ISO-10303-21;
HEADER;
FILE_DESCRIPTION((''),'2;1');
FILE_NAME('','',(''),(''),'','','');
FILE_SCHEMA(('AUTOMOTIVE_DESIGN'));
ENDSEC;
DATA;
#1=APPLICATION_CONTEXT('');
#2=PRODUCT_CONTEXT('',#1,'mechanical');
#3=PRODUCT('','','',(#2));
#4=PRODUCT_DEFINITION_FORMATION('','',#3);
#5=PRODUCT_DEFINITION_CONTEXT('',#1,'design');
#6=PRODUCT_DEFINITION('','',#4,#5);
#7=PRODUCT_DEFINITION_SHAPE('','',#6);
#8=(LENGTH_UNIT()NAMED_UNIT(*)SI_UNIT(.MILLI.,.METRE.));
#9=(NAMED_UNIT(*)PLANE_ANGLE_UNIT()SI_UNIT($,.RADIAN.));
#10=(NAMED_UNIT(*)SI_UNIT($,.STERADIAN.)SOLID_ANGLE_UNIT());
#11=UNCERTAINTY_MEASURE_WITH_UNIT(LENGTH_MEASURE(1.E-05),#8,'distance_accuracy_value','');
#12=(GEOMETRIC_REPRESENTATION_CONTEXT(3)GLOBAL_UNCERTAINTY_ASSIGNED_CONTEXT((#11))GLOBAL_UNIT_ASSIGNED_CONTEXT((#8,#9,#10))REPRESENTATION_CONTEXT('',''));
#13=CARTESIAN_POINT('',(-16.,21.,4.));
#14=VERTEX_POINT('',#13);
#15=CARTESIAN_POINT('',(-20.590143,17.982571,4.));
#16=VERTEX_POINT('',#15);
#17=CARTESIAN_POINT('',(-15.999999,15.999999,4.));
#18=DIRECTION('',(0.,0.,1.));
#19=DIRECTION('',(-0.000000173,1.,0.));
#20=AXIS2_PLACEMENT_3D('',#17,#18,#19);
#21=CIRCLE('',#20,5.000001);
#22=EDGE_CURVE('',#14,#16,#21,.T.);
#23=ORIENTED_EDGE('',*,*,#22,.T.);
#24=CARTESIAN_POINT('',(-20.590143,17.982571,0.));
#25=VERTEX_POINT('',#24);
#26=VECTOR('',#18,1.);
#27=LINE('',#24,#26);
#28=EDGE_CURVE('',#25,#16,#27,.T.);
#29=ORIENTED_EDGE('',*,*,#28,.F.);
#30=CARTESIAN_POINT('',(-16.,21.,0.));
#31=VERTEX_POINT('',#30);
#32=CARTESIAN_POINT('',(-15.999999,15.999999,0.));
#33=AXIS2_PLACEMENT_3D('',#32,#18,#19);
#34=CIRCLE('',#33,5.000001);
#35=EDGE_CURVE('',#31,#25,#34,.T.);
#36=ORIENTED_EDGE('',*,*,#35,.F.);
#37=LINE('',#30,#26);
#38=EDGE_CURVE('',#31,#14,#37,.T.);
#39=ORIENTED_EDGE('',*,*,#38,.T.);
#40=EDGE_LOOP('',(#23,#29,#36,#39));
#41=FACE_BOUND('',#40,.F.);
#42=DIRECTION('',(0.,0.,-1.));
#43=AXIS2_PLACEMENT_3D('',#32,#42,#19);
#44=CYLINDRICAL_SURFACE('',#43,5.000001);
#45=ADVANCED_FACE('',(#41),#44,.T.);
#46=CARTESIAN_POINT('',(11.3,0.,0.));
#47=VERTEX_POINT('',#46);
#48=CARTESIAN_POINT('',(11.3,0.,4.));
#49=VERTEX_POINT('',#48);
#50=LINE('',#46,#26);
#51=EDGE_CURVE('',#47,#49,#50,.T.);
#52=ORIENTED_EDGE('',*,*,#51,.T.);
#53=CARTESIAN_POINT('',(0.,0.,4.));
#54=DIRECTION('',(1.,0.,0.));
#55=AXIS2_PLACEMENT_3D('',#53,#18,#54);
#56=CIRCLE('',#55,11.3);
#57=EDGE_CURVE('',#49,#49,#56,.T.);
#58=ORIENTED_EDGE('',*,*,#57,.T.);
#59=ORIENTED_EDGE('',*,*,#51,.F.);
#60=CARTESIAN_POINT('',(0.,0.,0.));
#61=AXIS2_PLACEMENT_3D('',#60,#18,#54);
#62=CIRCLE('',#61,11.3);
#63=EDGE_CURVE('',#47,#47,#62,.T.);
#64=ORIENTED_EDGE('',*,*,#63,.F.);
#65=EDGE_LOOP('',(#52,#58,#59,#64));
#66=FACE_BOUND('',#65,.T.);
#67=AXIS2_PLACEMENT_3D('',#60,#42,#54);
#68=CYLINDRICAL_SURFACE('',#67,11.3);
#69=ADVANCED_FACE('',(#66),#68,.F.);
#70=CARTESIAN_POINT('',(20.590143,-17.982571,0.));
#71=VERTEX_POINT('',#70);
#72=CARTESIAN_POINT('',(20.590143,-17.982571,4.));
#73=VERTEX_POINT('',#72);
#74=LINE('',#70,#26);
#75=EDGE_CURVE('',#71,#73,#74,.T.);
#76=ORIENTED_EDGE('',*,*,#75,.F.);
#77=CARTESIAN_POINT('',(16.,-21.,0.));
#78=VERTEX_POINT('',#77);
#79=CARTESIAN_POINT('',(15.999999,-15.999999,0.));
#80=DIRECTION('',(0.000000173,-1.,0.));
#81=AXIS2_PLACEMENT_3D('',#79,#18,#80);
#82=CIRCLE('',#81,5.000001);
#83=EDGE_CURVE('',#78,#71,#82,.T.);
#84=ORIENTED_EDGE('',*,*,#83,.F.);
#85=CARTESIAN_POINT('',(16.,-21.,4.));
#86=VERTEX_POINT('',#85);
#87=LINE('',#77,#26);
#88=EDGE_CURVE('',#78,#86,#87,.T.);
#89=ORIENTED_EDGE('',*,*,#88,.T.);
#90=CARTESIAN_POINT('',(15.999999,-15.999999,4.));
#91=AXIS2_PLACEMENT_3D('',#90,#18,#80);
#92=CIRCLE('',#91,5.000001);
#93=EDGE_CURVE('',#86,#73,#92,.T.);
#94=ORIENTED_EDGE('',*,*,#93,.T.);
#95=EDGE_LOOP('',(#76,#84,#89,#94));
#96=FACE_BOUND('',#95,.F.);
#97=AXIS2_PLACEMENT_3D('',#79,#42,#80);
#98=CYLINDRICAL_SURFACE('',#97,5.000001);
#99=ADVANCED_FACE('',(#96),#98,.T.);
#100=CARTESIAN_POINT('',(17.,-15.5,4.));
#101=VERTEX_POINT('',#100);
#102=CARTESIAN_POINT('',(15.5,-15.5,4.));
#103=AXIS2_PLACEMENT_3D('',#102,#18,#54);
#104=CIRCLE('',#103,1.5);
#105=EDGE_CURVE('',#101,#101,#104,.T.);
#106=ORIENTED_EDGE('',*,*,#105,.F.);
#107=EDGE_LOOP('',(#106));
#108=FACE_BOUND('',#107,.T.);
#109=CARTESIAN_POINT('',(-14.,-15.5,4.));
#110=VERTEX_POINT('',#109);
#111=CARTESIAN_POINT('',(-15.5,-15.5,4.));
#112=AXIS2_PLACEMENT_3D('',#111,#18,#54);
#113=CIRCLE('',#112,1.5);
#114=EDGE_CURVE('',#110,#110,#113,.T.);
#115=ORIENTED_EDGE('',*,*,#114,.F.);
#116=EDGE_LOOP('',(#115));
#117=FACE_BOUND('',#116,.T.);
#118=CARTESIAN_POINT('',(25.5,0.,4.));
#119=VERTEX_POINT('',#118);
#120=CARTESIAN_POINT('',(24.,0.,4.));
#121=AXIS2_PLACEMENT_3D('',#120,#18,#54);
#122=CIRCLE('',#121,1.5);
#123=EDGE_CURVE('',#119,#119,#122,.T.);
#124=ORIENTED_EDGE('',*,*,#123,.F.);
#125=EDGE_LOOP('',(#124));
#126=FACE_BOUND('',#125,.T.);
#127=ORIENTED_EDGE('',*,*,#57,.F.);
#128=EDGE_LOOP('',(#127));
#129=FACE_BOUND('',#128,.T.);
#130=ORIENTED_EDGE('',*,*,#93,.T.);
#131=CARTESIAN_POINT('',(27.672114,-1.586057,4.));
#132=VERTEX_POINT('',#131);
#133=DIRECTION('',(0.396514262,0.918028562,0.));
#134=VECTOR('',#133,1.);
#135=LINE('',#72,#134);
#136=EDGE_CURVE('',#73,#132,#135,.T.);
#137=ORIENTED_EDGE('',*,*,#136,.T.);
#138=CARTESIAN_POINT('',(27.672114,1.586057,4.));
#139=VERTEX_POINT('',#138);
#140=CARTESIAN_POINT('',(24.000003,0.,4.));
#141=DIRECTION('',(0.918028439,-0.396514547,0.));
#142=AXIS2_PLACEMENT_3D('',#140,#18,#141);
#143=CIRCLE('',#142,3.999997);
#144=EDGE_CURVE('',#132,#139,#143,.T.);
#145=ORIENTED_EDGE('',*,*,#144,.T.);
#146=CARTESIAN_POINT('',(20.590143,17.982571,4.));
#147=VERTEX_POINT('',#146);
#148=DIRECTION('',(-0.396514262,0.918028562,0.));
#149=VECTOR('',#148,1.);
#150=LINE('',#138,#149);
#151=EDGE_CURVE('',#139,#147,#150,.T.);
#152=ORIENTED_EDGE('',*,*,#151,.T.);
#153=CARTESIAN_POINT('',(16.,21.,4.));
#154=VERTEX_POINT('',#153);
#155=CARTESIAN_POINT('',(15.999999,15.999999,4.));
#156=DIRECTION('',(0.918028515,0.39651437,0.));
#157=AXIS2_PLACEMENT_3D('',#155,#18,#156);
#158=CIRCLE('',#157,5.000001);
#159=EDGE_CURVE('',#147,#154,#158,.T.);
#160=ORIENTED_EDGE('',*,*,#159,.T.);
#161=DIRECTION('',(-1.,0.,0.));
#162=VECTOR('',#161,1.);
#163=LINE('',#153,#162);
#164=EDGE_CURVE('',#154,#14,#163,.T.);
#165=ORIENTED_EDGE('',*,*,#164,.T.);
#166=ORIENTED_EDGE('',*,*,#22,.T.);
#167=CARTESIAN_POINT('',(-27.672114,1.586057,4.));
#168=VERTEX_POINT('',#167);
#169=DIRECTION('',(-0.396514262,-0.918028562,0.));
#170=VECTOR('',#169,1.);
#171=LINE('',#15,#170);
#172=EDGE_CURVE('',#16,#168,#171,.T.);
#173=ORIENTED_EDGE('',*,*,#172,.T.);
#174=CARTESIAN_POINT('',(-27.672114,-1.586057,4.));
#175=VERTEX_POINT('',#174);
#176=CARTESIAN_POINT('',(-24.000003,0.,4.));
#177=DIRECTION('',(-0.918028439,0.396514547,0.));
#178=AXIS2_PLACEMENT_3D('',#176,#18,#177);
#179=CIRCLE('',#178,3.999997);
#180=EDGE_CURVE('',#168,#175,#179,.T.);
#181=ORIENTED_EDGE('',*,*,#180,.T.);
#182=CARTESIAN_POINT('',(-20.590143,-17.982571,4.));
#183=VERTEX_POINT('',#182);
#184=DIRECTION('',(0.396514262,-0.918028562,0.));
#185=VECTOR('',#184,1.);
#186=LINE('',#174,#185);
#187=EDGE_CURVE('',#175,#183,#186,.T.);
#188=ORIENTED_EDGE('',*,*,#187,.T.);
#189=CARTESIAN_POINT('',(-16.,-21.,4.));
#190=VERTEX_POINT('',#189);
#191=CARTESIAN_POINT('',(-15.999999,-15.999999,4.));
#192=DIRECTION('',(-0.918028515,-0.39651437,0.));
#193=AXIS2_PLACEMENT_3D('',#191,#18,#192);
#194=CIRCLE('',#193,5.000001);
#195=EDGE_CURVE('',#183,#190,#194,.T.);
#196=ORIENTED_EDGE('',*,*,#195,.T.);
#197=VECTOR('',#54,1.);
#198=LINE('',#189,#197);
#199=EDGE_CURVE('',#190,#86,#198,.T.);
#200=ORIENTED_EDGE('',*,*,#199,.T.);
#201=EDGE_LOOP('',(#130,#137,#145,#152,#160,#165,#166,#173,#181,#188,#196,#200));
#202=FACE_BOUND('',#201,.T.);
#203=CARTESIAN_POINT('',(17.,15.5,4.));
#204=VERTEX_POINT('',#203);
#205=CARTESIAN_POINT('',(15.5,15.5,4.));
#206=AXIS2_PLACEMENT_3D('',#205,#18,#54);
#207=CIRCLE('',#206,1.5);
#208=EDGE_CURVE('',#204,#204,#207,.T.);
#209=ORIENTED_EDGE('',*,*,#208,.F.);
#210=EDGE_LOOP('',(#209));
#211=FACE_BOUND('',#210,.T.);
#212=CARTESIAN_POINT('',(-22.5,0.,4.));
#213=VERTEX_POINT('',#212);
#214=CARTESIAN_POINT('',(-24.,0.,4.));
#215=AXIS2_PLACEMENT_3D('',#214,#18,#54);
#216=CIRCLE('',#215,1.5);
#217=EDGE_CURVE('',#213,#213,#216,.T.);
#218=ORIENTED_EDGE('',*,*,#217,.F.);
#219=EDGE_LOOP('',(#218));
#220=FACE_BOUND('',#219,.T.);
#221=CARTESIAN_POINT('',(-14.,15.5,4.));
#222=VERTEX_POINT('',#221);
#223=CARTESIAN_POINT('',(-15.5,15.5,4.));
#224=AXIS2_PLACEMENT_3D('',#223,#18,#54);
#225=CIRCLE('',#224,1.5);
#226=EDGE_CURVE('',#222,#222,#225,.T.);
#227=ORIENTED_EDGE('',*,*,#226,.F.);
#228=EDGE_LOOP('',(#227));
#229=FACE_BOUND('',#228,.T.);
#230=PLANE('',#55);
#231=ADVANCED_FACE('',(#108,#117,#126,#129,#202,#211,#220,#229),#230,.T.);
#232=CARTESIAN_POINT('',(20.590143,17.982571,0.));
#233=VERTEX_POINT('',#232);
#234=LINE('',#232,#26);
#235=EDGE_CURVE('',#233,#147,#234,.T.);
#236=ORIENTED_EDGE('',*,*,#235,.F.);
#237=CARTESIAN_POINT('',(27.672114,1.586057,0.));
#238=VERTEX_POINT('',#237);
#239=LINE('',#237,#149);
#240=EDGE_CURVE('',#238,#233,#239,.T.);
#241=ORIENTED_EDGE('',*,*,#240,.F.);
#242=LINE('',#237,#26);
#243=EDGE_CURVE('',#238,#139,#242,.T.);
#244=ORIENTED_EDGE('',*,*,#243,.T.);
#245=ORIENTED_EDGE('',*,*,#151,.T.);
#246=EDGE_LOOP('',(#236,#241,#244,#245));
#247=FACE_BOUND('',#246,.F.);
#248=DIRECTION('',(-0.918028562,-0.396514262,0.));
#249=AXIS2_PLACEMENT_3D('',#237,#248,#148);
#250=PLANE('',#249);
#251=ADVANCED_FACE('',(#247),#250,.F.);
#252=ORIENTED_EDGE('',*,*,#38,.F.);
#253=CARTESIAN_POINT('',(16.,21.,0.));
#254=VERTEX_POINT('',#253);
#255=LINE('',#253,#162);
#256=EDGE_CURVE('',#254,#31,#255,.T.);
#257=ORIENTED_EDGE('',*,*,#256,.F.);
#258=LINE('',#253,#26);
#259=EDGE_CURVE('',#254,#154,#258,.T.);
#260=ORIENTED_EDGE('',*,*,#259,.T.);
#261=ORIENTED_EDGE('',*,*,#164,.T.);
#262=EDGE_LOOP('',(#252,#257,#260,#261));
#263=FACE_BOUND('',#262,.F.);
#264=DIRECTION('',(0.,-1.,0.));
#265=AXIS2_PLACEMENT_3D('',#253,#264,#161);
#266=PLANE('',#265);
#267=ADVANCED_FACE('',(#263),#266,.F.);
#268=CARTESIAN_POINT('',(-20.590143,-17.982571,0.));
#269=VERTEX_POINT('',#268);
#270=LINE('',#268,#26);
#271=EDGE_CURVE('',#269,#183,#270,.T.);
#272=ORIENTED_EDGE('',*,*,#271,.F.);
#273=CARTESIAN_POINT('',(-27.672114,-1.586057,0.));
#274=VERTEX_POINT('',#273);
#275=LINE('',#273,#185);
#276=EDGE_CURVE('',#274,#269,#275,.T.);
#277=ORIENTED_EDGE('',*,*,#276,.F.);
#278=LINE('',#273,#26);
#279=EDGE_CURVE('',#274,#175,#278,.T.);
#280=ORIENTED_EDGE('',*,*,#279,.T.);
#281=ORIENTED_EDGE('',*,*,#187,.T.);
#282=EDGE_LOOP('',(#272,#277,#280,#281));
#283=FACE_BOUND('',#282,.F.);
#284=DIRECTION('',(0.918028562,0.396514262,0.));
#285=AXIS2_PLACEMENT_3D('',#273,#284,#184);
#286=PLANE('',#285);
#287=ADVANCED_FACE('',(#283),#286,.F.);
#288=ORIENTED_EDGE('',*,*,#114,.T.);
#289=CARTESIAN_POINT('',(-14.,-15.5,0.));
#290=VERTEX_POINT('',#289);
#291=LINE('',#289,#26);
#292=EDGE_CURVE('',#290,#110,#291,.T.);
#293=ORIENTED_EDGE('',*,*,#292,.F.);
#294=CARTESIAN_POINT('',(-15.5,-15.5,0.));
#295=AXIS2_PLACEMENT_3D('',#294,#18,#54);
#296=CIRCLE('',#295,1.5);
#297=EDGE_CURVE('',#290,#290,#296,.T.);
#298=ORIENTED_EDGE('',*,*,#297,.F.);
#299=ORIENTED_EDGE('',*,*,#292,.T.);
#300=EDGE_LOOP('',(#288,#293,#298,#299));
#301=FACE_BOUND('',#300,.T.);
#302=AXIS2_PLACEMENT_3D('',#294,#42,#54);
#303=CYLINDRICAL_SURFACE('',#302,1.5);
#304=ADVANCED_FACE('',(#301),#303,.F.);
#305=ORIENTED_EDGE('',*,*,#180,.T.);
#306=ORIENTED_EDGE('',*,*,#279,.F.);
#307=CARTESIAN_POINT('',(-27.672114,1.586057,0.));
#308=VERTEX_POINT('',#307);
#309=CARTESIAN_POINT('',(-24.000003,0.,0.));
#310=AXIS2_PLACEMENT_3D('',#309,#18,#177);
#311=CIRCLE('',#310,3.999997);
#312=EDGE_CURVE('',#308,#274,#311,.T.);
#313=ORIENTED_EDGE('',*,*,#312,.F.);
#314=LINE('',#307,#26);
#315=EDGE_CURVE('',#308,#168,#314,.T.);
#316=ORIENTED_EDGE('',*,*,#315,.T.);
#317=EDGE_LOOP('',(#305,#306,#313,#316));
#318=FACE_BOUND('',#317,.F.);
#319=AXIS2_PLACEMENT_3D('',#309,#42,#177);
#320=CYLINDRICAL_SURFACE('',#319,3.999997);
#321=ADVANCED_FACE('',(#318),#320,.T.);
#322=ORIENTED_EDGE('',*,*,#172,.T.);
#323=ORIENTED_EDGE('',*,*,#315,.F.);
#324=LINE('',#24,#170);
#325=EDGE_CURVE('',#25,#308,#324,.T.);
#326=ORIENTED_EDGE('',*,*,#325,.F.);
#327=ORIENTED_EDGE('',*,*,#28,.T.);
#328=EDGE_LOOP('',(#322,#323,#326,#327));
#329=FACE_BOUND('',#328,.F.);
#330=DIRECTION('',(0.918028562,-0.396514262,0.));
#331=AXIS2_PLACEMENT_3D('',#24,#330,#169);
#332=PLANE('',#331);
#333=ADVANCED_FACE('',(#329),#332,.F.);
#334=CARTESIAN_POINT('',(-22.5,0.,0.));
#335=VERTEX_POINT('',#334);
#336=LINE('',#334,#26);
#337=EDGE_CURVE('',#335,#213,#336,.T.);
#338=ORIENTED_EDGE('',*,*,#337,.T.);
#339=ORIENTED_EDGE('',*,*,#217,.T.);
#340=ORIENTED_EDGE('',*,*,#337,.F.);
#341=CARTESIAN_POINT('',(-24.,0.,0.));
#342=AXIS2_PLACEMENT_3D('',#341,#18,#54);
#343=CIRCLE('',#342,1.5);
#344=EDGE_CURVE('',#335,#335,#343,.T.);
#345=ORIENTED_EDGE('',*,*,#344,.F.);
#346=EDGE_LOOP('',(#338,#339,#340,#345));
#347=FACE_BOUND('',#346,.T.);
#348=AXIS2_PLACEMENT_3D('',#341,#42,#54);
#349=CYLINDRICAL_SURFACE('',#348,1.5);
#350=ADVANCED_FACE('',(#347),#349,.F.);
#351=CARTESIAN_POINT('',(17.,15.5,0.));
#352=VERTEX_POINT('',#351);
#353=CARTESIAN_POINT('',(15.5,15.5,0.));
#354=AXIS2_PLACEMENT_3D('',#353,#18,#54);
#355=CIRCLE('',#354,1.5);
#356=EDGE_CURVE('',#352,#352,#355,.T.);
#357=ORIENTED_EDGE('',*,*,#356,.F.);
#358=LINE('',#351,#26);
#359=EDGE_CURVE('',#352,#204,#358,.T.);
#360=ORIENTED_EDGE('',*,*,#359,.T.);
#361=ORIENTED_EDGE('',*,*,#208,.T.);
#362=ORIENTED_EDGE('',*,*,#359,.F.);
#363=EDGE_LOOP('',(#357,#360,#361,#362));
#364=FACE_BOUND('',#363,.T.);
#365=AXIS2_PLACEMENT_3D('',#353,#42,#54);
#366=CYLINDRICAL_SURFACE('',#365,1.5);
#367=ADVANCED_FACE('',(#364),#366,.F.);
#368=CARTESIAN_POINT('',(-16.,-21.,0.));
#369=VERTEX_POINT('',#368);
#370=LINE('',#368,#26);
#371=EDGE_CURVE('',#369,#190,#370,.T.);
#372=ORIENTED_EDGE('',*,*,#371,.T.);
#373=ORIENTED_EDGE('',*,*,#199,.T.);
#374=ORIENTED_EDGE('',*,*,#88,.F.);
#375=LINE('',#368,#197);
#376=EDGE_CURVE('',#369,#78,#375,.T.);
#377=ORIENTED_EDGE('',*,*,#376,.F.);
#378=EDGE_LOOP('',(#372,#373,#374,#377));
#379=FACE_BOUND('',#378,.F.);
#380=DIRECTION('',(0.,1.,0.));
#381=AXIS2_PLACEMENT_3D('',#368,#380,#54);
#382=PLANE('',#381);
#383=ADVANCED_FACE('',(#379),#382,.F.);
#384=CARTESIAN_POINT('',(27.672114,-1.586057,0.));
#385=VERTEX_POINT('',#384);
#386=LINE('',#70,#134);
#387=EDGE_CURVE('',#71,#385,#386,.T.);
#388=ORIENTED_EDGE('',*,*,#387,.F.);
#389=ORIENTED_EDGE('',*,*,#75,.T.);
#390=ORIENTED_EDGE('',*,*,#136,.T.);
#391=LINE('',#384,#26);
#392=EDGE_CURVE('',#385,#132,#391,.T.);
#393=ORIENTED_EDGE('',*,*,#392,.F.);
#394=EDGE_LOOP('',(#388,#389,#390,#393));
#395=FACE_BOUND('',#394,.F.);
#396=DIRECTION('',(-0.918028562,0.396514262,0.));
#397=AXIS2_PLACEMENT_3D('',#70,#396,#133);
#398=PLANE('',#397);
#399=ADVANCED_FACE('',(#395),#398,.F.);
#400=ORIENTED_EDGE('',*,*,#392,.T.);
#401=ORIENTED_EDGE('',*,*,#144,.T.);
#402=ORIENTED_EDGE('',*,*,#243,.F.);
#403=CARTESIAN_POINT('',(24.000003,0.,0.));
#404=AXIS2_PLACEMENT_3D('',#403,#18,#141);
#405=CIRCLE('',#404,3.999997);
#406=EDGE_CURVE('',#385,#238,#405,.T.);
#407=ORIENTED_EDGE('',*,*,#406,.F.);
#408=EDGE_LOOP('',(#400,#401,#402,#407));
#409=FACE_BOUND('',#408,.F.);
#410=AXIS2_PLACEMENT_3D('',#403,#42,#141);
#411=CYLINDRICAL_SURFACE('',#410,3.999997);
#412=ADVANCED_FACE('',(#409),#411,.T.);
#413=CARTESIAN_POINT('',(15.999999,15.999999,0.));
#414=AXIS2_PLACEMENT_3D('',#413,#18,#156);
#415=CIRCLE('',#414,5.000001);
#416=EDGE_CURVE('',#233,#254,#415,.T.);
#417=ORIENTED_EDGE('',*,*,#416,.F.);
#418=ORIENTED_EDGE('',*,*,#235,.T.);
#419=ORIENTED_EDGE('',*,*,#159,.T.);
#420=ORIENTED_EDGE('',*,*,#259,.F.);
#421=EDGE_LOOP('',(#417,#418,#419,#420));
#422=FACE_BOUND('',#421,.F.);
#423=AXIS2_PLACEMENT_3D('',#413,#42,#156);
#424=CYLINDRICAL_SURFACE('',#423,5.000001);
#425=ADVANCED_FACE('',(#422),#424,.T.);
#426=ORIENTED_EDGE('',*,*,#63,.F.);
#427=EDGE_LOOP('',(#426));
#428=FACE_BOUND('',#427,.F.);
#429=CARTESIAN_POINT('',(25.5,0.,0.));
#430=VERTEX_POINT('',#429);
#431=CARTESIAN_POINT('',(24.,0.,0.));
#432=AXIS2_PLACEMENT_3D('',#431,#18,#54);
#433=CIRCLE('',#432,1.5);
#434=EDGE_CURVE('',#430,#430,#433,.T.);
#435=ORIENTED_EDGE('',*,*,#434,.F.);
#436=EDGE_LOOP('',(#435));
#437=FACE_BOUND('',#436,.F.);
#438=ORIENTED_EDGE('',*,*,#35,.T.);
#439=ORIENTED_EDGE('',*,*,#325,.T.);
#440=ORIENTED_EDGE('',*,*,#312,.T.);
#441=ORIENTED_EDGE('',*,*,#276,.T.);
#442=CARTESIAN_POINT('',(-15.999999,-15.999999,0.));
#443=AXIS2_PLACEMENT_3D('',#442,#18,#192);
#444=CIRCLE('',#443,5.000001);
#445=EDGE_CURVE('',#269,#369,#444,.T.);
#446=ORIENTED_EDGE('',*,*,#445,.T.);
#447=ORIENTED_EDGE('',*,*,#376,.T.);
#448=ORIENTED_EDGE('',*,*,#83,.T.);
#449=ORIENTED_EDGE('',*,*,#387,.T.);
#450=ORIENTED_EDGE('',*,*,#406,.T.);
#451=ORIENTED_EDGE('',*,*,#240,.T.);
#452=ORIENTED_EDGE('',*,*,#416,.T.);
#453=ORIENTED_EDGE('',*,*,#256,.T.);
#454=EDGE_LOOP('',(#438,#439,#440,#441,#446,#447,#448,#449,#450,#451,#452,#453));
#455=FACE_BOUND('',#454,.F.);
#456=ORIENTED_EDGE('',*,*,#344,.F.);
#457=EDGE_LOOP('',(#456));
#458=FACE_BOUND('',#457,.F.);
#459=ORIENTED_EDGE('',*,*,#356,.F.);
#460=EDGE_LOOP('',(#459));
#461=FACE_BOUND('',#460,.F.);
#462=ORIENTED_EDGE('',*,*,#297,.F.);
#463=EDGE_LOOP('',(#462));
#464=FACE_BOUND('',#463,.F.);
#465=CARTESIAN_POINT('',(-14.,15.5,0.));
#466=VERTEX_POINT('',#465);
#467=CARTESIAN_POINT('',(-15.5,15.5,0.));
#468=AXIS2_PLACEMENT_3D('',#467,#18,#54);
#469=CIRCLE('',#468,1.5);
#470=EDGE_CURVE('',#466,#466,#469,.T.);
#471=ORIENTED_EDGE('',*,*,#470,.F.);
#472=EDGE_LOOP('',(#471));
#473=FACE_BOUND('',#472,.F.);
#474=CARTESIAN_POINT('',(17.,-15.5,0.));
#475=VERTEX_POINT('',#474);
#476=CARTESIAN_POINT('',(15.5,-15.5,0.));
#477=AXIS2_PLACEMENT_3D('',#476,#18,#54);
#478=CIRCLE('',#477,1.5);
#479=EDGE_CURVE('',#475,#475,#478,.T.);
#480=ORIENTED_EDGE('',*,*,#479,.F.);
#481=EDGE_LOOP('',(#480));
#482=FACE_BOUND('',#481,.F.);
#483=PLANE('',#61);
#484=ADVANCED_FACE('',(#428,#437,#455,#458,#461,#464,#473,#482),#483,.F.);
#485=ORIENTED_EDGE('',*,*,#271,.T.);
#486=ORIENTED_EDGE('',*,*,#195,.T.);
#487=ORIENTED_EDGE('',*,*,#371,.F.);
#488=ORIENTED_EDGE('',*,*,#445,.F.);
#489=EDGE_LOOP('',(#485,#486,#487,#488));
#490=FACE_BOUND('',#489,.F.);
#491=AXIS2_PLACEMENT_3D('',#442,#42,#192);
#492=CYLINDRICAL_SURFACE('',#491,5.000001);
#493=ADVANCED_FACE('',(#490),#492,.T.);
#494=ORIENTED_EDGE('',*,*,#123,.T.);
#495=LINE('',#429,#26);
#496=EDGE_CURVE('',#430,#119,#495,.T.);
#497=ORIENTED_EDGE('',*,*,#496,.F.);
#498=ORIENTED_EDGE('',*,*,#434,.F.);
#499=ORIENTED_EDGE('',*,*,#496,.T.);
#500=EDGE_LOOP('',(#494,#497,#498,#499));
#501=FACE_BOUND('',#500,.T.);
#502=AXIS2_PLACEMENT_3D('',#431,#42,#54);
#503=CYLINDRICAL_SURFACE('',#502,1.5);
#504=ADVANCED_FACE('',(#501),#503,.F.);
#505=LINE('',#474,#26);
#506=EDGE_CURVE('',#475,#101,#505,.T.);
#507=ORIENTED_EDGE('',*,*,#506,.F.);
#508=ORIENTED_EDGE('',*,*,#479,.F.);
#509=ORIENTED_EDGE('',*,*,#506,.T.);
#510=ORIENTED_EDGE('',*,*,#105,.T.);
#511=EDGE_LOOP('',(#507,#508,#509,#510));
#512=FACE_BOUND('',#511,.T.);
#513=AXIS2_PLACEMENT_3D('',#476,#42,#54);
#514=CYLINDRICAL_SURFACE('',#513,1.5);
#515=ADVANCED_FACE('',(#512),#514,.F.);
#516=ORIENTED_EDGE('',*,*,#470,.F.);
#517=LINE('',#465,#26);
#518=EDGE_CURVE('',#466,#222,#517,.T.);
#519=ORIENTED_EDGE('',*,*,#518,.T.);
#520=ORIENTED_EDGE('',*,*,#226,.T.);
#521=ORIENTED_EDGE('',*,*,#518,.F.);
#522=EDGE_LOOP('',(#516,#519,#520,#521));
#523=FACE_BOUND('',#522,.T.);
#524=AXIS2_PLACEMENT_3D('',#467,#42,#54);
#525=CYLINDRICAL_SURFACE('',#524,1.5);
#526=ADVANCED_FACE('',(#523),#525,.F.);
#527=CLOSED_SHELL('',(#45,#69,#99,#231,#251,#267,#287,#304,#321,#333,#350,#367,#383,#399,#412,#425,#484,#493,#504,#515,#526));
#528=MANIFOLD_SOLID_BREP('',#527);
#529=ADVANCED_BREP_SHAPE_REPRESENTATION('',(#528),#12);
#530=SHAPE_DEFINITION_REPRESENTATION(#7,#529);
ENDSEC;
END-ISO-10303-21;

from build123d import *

# Parameters (mm, degrees)
F0_R     = 1.5
F0_R_2   = 11.3
F1_DEPTH = 4


with BuildPart() as f1:
    # F0 (on Top) → F1 (new body)
    with BuildSketch(Plane.XY):
        with BuildLine():
            Line((-20.590143, 17.982571), (-27.672114, 1.586057))
            ThreePointArc((-27.672114, 1.586057), (-28, 0), (-27.672114, -1.586057))
            Line((-27.672114, -1.586057), (-20.590143, -17.982571))
            ThreePointArc((-20.590143, -17.982571), (-18.746556, -20.178089), (-16, -21))
            Line((-16, -21), (16, -21))
            ThreePointArc((16, -21), (18.746556, -20.178089), (20.590143, -17.982571))
            Line((20.590143, -17.982571), (27.672114, -1.586057))
            ThreePointArc((27.672114, -1.586057), (28, 0), (27.672114, 1.586057))
            Line((27.672114, 1.586057), (20.590143, 17.982571))
            ThreePointArc((20.590143, 17.982571), (18.746556, 20.178089), (16, 21))
            Line((16, 21), (-16, 21))
            ThreePointArc((-16, 21), (-18.746556, 20.178089), (-20.590143, 17.982571))
        make_face()
        with Locations((-15.5, -15.5)):
            Circle(F0_R, mode=Mode.SUBTRACT)
        with Locations((15.5, -15.5)):
            Circle(F0_R, mode=Mode.SUBTRACT)
        with Locations((-24, 0)):
            Circle(F0_R, mode=Mode.SUBTRACT)
        with Locations((-15.5, 15.5)):
            Circle(F0_R, mode=Mode.SUBTRACT)
        Circle(F0_R_2, mode=Mode.SUBTRACT)
        with Locations((24, 0)):
            Circle(F0_R, mode=Mode.SUBTRACT)
        with Locations((15.5, 15.5)):
            Circle(F0_R, mode=Mode.SUBTRACT)
    extrude(amount=F1_DEPTH)


solid = f1.part
